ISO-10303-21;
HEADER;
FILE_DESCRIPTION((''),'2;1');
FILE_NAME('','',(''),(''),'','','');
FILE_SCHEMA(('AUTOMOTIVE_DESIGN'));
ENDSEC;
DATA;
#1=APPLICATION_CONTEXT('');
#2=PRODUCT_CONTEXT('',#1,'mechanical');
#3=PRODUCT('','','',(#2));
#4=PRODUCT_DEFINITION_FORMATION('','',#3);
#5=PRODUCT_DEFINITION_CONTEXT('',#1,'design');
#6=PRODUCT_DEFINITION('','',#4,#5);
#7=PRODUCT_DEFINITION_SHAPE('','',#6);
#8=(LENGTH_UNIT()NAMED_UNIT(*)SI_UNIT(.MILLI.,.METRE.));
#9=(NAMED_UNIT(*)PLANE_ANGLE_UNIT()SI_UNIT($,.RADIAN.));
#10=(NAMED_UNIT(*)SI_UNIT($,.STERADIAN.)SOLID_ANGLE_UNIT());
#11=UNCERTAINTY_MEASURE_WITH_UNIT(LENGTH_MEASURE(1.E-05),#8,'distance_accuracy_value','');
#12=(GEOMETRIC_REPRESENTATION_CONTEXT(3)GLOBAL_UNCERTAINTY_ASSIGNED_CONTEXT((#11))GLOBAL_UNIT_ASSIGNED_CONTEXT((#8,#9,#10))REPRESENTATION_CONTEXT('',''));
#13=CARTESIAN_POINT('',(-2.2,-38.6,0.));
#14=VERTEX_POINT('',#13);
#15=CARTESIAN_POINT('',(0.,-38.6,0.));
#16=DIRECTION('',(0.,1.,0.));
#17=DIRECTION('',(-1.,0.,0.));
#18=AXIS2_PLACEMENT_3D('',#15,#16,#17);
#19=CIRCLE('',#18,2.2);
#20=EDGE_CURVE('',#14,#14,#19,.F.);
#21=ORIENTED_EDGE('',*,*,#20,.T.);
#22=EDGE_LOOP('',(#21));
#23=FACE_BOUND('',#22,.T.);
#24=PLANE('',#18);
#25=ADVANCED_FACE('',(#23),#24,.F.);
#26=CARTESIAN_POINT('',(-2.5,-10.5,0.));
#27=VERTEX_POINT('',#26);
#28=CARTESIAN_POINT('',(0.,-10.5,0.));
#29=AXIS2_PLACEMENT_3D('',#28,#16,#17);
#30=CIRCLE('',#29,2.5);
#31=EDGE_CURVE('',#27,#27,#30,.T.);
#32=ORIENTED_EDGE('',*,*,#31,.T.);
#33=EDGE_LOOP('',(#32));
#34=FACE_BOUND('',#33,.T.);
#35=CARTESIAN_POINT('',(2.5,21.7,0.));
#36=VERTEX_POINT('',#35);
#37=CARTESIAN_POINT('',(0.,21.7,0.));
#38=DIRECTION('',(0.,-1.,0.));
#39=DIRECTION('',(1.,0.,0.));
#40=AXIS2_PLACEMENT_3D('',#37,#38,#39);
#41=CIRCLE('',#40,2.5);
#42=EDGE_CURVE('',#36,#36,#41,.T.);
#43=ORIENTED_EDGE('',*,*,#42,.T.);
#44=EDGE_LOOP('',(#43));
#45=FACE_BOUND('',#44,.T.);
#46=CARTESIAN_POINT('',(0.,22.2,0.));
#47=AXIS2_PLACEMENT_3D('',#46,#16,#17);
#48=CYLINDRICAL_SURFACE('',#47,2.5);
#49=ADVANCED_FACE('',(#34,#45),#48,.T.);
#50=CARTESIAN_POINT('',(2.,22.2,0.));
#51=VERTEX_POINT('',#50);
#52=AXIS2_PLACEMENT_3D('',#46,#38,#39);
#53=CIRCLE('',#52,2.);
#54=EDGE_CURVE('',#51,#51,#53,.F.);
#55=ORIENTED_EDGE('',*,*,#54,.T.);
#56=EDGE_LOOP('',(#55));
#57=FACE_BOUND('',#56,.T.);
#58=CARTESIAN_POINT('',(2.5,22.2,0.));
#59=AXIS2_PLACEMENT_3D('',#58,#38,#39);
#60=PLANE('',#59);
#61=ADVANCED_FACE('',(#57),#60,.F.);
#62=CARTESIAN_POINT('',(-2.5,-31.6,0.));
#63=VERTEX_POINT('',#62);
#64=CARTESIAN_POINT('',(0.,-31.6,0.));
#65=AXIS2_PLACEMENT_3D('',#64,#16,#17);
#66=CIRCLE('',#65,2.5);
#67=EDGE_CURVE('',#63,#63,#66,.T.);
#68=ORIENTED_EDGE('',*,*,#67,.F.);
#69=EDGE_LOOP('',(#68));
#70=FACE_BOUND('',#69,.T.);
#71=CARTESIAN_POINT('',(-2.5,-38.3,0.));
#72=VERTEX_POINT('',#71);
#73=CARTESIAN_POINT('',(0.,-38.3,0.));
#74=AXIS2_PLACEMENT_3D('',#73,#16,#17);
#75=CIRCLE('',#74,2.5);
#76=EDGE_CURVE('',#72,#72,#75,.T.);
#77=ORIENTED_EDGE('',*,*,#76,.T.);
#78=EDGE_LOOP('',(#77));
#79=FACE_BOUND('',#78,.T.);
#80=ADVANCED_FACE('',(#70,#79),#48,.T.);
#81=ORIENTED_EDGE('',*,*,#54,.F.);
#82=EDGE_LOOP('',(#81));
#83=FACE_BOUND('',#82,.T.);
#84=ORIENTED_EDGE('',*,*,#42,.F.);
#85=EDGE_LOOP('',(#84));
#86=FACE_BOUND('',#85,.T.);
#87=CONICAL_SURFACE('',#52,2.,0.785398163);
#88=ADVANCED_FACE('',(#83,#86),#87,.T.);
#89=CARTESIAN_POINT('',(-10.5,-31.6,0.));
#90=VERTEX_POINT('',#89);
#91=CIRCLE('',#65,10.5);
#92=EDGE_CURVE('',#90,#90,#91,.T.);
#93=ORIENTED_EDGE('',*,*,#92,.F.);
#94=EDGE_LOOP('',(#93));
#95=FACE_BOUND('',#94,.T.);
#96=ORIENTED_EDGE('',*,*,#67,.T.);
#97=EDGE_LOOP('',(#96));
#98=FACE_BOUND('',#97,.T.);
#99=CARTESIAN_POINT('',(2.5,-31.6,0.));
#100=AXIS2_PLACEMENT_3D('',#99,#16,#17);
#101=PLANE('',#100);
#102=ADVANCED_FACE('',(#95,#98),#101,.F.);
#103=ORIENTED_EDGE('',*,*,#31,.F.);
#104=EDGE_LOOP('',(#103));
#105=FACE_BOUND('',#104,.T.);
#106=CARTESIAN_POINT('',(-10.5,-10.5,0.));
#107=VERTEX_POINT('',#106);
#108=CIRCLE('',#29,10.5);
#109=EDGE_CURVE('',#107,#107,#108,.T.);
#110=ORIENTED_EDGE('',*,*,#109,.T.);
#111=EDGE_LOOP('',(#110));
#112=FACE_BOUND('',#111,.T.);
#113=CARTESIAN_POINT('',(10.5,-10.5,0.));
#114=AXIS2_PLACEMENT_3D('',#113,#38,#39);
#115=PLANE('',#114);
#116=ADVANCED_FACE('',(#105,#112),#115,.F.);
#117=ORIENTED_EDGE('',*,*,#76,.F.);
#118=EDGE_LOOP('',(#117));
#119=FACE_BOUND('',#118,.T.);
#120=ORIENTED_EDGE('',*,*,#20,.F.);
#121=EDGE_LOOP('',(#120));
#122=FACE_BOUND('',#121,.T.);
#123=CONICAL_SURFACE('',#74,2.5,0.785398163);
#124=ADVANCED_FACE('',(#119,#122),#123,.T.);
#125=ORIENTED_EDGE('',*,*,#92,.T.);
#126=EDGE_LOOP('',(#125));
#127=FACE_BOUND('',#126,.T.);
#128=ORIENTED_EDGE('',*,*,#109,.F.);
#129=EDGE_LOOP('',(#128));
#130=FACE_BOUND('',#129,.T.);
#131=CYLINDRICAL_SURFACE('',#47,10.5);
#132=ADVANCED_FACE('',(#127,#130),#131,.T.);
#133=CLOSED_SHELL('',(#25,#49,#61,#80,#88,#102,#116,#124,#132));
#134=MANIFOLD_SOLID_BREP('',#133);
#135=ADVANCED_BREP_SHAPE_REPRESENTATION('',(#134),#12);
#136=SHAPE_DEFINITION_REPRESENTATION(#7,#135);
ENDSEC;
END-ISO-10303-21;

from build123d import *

# Parameters (mm, degrees)
CHAMFER1_SIZE = 0.3
CHAMFER2_SIZE = 0.5


with BuildPart() as part:
    # Sketch1 → Revolve1 (revolve)
    with BuildSketch(Plane.XY):
        Polygon((0, -38.6), (2.5, -38.6), (2.5, -31.6), (10.5, -31.6), (10.5, -10.5), (2.5, -10.5), (2.5, 22.2), (0, 22.2), align=None)
    revolve(axis=Axis((0, 22.2, 0), (0, -1, 0)))

    # Chamfer1
    chamfer1_edges = [part.edges().sort_by_distance(p)[0] for p in [
        (-2.5, -38.6, 0),
    ]]
    chamfer(chamfer1_edges, length=CHAMFER1_SIZE)

    # Chamfer2
    chamfer2_edges = [part.edges().sort_by_distance(p)[0] for p in [
        (-2.5, 22.2, 0),
    ]]
    chamfer(chamfer2_edges, length=CHAMFER2_SIZE)


solid = part.part
